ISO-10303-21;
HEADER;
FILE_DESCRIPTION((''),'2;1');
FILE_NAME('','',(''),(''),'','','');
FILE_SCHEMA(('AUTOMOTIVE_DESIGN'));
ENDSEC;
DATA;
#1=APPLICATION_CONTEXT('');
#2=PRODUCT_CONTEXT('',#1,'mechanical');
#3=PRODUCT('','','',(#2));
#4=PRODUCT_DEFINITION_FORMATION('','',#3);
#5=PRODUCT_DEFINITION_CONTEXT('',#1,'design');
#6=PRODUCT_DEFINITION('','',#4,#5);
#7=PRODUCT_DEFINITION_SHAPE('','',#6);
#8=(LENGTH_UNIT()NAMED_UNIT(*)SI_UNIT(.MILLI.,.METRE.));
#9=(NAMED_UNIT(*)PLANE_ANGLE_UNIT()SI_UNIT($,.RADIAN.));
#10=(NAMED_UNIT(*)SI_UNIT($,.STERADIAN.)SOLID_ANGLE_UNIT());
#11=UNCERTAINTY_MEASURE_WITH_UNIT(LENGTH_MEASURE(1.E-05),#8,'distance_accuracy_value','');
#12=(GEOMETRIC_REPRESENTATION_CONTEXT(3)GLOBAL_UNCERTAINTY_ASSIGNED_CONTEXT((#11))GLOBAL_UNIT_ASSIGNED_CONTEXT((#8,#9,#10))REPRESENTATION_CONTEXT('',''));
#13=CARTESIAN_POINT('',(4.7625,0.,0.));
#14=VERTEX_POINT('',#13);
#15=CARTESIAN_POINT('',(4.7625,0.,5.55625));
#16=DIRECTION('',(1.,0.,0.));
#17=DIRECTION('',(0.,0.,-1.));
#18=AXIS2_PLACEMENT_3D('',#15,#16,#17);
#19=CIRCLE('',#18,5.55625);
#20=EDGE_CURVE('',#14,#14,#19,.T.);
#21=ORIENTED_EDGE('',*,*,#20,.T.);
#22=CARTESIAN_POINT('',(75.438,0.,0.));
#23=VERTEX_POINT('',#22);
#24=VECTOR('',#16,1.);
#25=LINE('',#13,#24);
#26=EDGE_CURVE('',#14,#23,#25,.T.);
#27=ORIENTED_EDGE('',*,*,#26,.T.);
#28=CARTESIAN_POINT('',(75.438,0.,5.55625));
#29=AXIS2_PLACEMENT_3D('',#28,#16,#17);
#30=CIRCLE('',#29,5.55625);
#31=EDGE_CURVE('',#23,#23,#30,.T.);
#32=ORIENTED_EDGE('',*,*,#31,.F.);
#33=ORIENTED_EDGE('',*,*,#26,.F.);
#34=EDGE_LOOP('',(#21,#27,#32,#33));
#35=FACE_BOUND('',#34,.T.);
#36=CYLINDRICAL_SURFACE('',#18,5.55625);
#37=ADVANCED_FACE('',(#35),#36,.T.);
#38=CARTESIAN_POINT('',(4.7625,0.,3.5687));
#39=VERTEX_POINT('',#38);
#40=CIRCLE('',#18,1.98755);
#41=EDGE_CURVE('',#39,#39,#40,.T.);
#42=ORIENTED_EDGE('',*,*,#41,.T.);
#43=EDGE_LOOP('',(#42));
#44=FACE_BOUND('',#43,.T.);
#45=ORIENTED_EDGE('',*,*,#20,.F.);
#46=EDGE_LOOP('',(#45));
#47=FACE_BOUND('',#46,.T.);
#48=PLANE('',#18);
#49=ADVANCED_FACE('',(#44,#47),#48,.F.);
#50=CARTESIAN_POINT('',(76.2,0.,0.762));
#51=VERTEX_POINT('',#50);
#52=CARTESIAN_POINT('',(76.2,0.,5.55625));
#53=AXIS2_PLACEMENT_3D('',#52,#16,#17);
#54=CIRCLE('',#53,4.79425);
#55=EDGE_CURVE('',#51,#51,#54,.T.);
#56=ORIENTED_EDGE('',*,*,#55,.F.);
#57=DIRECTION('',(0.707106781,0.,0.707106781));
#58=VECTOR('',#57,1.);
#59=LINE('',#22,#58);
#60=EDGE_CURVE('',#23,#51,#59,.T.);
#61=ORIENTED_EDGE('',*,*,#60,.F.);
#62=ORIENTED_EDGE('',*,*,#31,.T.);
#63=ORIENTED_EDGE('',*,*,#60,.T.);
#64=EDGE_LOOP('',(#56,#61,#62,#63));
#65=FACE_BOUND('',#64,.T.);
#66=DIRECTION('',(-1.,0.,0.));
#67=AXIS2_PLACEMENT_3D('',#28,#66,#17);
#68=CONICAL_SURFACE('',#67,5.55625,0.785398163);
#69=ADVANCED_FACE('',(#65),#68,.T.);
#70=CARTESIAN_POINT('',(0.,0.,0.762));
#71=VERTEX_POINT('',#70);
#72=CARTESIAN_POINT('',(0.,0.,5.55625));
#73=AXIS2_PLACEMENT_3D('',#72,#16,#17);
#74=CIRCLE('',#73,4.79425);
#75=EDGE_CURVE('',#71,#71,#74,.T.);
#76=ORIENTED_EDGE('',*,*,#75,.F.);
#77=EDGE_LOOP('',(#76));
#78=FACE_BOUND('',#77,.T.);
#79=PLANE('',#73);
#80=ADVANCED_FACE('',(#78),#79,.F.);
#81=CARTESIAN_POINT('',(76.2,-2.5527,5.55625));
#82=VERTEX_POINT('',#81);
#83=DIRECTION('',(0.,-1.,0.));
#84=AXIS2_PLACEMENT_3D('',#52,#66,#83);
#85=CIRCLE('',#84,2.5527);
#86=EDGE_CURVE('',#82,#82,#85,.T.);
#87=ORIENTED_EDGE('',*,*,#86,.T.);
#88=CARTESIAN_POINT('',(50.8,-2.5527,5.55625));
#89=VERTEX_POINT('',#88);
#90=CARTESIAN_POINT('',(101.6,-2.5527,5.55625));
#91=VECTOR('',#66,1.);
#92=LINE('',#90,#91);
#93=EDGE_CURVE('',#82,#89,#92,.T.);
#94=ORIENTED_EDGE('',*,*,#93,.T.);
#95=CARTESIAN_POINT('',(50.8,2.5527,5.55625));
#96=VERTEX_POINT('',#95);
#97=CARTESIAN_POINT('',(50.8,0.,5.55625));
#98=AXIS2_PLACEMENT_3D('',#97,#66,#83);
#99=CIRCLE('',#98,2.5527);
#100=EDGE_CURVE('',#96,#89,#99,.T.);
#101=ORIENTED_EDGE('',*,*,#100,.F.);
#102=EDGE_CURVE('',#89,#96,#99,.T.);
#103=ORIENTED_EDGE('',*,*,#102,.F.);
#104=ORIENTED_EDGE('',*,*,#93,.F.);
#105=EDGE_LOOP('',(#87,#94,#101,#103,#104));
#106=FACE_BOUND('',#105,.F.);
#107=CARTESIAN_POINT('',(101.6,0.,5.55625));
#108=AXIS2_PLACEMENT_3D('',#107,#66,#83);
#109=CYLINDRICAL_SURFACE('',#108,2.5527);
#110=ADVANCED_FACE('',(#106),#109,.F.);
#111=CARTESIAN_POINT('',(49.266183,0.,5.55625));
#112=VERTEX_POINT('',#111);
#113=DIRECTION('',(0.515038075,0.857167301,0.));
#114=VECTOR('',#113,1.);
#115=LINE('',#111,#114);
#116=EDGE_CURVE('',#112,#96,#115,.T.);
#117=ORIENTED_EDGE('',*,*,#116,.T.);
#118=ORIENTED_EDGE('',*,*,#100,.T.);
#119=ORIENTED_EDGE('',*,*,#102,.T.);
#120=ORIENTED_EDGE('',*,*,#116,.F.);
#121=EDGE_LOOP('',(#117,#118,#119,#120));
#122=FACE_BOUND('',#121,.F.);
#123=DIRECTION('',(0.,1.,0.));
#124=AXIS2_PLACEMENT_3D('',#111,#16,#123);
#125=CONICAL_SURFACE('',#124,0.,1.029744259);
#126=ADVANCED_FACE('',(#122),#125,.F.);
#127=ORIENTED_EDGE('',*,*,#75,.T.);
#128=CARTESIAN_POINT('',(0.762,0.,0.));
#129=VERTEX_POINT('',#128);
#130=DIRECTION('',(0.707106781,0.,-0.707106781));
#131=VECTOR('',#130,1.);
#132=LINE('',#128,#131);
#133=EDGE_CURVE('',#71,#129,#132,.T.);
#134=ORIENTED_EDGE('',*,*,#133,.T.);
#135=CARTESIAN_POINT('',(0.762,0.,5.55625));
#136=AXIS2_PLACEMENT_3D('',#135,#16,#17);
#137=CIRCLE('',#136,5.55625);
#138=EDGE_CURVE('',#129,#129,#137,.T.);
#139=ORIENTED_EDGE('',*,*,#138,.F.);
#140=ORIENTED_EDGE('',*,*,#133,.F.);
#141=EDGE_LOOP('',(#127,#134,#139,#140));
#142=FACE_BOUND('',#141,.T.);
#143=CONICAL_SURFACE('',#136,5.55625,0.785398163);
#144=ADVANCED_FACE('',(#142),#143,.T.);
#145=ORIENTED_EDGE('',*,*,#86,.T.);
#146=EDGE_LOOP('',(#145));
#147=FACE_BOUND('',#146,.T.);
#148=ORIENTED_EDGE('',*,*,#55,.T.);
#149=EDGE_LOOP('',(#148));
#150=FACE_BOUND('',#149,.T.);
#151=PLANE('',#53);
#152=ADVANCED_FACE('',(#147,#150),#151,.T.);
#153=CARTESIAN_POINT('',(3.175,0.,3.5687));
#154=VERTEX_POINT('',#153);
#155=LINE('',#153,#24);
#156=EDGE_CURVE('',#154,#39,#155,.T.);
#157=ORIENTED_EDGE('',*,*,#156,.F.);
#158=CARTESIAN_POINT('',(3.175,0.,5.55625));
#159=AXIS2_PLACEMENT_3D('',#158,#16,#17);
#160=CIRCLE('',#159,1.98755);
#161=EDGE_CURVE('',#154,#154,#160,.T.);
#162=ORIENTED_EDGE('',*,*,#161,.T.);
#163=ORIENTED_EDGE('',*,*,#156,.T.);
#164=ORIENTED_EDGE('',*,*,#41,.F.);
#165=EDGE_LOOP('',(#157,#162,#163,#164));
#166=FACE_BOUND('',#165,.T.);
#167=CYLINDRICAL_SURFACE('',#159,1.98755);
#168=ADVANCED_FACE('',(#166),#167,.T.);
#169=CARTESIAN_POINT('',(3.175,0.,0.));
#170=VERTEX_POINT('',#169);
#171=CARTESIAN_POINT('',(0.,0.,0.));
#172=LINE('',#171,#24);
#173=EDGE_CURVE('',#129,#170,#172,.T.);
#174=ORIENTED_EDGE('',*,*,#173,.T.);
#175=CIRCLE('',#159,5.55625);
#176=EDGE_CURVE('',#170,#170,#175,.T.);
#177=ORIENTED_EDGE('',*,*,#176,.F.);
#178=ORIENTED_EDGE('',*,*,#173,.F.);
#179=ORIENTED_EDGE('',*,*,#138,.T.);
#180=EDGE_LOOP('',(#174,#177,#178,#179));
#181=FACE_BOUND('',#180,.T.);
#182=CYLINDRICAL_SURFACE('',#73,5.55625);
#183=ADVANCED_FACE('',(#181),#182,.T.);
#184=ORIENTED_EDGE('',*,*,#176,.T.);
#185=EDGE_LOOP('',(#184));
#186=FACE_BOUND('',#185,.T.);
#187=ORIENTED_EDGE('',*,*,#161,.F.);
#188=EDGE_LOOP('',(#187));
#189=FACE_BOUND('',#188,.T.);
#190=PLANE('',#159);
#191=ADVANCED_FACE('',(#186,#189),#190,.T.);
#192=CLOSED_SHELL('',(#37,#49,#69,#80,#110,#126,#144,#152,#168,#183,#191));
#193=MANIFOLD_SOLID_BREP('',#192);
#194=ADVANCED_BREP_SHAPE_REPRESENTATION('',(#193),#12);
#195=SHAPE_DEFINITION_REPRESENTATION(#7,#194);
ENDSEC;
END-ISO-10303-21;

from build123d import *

# Parameters (mm, degrees)
F2_SIZE  = 0.762
F4_D     = 5.1054
F4_DEPTH = 25.4
F4_TIP   = 1.5338169022


with BuildPart() as f1:
    # F0 (on Front) → F1 (revolve)
    with BuildSketch(Plane.XZ):
        Polygon((4.7625, 0), (76.2, 0), (76.2, 5.55625), (0, 5.55625), (0, 0), (3.175, 0), (3.175, 3.5687), (4.7625, 3.5687), align=None)
    revolve(axis=Axis((38.1, 0, 5.55625), (1, 0, 0)))

    # F2
    f2_edges = [f1.edges().sort_by_distance(p)[0] for p in [
        (0, 0, 11.1125),
        (76.2, 0, 11.1125),
    ]]
    chamfer(f2_edges, length=F2_SIZE)

    # F4
    with Locations(Plane.YZ.offset(76.2)):
        with Locations((0, 5.55625)):
            Hole(F4_D / 2, depth=F4_DEPTH)
            with Locations((0, 0, -(F4_DEPTH + F4_TIP / 2))):  # 118° drill point
                Cone(0, F4_D / 2, F4_TIP, mode=Mode.SUBTRACT)


solid = f1.part
